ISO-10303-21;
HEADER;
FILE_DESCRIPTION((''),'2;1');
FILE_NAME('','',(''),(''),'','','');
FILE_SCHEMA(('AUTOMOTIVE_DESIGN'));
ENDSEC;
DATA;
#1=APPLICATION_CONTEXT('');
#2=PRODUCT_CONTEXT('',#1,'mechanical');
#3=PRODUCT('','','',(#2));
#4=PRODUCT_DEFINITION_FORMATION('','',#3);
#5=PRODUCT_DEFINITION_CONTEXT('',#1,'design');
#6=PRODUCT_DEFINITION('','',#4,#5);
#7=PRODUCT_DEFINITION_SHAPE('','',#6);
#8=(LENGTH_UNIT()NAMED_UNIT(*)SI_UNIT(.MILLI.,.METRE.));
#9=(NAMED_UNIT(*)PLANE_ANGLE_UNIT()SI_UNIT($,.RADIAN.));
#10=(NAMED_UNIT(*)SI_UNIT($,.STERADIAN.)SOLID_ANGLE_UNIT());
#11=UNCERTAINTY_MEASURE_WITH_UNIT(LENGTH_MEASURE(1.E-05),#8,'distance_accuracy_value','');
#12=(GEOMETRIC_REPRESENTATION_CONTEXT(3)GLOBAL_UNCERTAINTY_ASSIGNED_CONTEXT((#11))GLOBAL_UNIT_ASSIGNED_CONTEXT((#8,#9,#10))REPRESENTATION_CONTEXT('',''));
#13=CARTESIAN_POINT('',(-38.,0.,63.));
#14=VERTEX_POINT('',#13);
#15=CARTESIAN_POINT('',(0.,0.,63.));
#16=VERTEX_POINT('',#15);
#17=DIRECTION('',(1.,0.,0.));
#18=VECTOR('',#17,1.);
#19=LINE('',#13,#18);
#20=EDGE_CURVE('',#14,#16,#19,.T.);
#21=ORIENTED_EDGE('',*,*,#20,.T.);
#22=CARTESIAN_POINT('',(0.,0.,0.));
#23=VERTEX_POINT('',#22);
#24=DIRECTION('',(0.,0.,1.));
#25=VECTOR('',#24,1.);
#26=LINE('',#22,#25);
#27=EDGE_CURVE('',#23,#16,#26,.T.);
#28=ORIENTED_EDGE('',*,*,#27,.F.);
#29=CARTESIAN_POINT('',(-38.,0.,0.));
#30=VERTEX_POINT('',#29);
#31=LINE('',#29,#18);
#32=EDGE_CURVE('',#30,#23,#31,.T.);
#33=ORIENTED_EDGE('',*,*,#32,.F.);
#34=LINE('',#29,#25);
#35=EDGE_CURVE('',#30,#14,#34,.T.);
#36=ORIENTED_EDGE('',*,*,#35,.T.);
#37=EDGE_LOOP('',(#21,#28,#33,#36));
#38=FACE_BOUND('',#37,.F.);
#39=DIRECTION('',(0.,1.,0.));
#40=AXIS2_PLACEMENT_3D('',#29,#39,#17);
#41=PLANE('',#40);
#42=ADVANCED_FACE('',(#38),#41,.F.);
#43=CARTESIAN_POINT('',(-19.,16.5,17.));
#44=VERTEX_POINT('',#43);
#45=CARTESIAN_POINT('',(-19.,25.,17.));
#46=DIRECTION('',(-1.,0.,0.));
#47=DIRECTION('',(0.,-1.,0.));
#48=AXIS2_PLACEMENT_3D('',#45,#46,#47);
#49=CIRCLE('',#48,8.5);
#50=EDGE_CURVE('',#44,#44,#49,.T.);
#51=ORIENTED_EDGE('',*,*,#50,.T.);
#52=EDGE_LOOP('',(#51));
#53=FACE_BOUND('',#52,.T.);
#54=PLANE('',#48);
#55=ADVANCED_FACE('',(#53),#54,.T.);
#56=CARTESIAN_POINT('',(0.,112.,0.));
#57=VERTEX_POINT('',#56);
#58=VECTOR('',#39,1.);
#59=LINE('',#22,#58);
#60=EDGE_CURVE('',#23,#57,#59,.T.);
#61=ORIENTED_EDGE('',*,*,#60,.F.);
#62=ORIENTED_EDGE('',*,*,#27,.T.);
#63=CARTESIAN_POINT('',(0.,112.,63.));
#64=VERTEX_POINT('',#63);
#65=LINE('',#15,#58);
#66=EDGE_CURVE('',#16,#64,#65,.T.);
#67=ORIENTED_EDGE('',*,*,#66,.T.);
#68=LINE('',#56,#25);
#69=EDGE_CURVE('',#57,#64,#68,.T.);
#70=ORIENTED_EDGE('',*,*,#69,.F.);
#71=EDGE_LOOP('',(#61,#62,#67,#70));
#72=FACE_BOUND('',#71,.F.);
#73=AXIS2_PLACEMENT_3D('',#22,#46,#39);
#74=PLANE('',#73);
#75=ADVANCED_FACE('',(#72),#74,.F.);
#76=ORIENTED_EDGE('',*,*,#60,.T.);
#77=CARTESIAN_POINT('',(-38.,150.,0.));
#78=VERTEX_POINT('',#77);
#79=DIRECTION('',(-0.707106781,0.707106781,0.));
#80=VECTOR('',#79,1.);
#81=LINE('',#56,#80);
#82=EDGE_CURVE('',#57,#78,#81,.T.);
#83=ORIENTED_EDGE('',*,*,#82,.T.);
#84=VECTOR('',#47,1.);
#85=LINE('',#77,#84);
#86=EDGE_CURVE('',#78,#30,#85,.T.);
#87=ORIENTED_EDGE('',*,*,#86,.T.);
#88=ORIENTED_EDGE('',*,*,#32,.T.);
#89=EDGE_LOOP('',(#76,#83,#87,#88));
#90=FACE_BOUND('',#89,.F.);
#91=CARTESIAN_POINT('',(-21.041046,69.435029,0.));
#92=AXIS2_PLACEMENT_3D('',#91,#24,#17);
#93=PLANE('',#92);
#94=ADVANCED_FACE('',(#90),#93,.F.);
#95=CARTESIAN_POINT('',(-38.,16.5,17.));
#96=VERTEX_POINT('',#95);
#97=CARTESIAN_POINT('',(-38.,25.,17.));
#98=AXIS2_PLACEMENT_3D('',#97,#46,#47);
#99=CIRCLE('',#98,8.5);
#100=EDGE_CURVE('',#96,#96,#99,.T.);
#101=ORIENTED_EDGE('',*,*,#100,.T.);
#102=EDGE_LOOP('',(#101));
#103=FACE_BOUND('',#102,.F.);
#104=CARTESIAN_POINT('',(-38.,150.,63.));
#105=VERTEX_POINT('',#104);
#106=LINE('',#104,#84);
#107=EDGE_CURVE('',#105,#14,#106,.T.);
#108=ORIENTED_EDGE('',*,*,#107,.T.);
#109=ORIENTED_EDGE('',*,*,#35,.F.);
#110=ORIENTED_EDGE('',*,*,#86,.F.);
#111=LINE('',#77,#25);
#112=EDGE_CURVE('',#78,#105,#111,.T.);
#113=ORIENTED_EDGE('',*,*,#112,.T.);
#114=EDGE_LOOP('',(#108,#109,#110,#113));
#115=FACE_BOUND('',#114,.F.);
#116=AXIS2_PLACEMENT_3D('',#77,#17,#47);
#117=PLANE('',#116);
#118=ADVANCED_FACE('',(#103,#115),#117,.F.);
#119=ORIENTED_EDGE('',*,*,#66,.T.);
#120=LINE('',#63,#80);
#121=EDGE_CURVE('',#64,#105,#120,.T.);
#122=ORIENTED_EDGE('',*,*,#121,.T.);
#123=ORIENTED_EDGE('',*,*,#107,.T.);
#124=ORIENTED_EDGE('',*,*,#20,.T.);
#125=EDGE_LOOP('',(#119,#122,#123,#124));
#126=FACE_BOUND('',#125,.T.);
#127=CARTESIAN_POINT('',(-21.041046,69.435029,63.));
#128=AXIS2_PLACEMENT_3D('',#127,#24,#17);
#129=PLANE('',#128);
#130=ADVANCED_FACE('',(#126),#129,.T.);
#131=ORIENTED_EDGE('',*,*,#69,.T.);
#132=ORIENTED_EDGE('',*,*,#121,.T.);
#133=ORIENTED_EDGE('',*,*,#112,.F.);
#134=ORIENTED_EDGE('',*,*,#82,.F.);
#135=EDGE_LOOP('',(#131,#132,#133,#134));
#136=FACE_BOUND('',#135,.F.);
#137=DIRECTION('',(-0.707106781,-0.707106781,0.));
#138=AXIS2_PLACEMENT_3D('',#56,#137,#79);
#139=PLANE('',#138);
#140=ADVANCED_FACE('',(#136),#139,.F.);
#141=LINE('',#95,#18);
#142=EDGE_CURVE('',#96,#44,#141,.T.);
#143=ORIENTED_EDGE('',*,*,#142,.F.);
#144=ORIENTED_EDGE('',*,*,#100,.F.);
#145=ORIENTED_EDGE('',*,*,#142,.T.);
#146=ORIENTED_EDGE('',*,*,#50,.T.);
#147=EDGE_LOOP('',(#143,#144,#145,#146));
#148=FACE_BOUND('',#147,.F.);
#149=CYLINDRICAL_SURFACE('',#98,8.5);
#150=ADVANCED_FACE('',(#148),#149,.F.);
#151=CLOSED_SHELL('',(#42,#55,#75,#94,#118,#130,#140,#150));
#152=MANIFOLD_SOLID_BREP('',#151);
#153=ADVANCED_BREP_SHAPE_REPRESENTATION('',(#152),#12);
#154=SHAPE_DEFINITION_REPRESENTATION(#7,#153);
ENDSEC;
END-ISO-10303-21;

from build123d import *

# Parameters (mm, degrees)
F1_DEPTH = 63
F2_R     = 8.5
F3_DEPTH = 19


with BuildPart() as f1:
    # F0 (on Top) → F1 (new body)
    with BuildSketch(Plane.XY):
        Polygon((-38, 0), (0, 0), (0, 112), (-38, 150), align=None)
    extrude(amount=F1_DEPTH)

    # F2 (on face) → F3 (cut)
    with BuildSketch(Plane(origin=(-38, 0, 0), x_dir=(0, -1, 0), z_dir=(-1, 0, 0))):
        with Locations((-25, 17)):
            Circle(F2_R)
    extrude(amount=-F3_DEPTH, mode=Mode.SUBTRACT)


solid = f1.part
